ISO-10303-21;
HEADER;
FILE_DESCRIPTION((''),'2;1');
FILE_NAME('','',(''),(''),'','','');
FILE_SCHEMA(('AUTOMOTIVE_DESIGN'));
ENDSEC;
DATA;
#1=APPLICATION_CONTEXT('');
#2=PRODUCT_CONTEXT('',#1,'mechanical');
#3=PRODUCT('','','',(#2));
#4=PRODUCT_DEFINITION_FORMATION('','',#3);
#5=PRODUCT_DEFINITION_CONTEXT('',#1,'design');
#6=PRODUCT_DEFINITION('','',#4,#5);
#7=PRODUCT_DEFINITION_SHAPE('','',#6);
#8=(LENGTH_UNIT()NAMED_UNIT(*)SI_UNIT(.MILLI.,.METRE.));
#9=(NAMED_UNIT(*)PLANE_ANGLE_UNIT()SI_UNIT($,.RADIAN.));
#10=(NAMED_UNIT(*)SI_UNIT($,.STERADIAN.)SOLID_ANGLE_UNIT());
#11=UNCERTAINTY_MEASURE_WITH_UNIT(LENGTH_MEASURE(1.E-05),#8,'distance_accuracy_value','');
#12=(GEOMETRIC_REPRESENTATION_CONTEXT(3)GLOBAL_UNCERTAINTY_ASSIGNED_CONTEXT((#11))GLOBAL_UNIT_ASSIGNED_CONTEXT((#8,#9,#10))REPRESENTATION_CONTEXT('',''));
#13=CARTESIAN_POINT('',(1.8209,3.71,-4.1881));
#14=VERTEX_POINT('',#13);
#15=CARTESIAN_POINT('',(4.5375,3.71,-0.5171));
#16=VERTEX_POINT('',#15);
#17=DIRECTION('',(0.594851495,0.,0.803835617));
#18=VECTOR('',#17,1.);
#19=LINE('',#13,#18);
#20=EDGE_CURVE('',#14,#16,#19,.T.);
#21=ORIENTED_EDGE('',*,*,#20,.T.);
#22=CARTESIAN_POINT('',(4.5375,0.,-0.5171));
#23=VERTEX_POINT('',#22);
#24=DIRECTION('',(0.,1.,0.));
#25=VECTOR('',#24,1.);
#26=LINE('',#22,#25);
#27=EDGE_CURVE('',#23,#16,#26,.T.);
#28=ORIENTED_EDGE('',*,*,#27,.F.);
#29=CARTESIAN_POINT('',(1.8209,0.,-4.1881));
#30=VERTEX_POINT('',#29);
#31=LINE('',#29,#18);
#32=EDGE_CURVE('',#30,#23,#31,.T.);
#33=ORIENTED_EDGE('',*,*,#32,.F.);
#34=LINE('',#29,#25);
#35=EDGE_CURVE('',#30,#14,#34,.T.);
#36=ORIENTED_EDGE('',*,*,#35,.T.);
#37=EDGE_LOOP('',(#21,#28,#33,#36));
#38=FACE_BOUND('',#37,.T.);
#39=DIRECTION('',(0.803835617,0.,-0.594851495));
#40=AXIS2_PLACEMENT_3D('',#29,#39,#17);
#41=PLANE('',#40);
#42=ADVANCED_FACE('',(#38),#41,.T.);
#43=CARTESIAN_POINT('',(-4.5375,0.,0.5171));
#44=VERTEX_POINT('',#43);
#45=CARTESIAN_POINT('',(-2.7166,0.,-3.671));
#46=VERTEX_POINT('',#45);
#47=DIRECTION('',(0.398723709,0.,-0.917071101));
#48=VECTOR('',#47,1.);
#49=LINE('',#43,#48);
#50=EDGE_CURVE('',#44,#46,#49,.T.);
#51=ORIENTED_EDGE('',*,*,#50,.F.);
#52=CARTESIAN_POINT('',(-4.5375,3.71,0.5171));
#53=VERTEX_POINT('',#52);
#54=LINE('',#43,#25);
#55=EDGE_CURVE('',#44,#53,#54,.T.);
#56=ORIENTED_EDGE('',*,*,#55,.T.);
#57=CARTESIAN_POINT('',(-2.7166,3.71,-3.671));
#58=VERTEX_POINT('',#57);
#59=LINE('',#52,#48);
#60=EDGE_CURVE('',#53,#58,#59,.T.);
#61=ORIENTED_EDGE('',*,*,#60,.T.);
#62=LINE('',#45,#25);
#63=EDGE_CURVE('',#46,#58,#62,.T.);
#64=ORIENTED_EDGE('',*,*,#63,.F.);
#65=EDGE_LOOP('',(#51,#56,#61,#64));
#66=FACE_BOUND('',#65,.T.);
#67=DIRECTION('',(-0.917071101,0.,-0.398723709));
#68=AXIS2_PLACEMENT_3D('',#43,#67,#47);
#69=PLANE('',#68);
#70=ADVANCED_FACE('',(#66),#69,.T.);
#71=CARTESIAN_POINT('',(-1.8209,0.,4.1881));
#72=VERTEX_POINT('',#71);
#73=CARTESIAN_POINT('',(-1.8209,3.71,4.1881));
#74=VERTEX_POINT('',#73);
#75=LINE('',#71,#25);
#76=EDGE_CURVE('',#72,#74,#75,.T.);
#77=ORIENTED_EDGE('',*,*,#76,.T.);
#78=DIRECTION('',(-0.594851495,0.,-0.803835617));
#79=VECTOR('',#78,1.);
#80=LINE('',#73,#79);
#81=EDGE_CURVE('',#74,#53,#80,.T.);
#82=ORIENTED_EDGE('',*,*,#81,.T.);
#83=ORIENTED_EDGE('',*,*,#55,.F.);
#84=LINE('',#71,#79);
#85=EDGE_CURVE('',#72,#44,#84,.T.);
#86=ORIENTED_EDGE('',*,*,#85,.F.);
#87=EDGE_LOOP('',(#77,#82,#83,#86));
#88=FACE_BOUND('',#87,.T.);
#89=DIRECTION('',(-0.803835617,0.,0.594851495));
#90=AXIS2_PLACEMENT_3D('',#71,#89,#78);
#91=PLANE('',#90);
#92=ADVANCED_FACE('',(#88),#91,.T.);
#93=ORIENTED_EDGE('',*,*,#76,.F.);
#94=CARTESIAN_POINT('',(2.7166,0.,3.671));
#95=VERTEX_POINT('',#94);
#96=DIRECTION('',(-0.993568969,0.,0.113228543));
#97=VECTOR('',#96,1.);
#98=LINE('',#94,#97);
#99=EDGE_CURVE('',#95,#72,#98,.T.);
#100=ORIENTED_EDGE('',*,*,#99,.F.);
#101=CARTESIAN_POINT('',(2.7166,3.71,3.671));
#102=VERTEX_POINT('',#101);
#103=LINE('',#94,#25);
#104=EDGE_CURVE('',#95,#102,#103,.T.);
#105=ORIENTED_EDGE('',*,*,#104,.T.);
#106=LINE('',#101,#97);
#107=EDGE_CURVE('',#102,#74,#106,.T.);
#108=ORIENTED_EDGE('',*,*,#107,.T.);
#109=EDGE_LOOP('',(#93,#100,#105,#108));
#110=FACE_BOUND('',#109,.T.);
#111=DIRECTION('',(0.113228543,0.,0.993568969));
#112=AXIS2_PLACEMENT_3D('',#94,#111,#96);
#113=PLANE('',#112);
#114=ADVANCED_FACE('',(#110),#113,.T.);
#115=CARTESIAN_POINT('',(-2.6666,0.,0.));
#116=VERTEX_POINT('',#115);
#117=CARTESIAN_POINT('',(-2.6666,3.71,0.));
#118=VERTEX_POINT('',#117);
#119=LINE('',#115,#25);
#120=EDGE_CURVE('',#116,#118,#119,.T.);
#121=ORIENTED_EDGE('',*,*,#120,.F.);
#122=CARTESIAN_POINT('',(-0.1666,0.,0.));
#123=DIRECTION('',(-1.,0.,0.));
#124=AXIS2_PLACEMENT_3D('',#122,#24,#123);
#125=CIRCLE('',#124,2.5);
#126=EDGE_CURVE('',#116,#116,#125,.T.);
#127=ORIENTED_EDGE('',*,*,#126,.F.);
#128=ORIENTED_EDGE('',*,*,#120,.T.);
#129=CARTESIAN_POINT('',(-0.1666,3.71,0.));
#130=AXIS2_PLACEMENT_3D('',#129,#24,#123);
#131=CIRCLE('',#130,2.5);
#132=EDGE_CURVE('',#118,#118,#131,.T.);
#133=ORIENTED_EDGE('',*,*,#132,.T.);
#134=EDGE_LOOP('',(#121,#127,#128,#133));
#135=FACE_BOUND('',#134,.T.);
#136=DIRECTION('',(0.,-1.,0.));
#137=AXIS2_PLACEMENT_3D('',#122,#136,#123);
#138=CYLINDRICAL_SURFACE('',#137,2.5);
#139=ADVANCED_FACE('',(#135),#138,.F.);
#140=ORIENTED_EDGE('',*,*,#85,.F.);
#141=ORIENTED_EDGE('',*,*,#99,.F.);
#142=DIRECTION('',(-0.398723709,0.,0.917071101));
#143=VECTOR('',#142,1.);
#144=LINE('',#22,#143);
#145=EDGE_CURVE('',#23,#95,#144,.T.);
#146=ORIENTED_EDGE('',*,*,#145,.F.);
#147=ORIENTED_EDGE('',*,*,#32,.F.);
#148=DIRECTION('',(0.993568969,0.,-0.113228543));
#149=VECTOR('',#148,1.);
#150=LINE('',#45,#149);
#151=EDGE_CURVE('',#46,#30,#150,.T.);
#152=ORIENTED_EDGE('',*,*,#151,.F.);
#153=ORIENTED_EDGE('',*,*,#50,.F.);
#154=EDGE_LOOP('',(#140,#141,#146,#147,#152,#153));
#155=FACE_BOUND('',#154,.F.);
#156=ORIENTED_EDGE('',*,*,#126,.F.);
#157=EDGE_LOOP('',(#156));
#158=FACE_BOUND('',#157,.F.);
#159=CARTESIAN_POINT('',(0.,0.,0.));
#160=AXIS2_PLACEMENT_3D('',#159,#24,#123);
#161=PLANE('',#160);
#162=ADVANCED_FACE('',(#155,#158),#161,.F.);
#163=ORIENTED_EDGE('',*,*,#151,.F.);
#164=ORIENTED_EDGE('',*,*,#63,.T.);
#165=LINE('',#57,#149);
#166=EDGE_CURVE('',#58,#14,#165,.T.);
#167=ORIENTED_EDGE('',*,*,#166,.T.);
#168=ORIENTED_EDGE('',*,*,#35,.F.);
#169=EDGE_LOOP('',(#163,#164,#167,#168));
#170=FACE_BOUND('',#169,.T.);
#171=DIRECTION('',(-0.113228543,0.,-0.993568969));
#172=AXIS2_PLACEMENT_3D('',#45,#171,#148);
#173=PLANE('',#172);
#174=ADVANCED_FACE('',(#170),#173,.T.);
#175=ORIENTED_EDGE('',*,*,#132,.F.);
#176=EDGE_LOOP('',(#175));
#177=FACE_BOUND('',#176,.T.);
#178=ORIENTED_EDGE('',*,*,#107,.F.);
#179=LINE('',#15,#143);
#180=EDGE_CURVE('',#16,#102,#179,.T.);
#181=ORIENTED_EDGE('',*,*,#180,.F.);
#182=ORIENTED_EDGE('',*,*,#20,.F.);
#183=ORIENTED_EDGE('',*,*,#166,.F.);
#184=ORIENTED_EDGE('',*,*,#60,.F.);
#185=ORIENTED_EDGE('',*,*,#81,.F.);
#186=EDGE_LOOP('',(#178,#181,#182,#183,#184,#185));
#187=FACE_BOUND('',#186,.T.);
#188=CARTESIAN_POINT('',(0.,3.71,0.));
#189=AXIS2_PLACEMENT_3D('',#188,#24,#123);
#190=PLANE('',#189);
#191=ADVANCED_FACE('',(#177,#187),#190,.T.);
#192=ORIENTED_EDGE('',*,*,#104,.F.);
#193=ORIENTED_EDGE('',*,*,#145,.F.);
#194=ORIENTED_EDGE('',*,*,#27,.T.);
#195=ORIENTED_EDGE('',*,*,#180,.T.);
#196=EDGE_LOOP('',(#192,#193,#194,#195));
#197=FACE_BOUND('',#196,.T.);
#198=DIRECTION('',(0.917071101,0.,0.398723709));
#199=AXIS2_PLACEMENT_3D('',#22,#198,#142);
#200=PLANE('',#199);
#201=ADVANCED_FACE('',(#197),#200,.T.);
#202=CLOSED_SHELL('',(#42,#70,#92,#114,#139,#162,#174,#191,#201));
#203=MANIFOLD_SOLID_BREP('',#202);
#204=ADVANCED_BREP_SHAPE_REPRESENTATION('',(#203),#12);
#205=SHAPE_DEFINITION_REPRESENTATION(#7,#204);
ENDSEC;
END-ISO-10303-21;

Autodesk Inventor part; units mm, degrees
ref_plane "YZ Plane" through (0, 0, 0) normal (1, 0, 0) x (0, 1, 0)
ref_plane "XZ Plane" through (0, 0, 0) normal (0, 1, 0) x (-1, 0, 0)
ref_plane "XY Plane" through (0, 0, 0) normal (0, 0, 1) x (1, 0, 0)
sketch "Sketch1" plane through (0, 0, 0) normal (0, 1, 0) x (-1, 0, 0)
  circle A0 centre (0.1666, 0) radius 2.5
  line L0 (2.7166, -3.671) -> (-1.8209, -4.1881)
  line L1 (-1.8209, -4.1881) -> (-4.5375, -0.5171)
  line L2 (-4.5375, -0.5171) -> (-2.7166, 3.671)
  line L3 (-2.7166, 3.671) -> (1.8209, 4.1881)
  line L4 (1.8209, 4.1881) -> (4.5375, 0.5171)
  line L5 (4.5375, 0.5171) -> (2.7166, -3.671)
  point P0 (0, 0)
  point P1 (0, 0)
  dimension "d0" = 5
  dimension "d1" = 7.91
extrude "Extrusion1" add sketch "Sketch1" along normal blind 3.71
properties part number "nut_5_mm"
